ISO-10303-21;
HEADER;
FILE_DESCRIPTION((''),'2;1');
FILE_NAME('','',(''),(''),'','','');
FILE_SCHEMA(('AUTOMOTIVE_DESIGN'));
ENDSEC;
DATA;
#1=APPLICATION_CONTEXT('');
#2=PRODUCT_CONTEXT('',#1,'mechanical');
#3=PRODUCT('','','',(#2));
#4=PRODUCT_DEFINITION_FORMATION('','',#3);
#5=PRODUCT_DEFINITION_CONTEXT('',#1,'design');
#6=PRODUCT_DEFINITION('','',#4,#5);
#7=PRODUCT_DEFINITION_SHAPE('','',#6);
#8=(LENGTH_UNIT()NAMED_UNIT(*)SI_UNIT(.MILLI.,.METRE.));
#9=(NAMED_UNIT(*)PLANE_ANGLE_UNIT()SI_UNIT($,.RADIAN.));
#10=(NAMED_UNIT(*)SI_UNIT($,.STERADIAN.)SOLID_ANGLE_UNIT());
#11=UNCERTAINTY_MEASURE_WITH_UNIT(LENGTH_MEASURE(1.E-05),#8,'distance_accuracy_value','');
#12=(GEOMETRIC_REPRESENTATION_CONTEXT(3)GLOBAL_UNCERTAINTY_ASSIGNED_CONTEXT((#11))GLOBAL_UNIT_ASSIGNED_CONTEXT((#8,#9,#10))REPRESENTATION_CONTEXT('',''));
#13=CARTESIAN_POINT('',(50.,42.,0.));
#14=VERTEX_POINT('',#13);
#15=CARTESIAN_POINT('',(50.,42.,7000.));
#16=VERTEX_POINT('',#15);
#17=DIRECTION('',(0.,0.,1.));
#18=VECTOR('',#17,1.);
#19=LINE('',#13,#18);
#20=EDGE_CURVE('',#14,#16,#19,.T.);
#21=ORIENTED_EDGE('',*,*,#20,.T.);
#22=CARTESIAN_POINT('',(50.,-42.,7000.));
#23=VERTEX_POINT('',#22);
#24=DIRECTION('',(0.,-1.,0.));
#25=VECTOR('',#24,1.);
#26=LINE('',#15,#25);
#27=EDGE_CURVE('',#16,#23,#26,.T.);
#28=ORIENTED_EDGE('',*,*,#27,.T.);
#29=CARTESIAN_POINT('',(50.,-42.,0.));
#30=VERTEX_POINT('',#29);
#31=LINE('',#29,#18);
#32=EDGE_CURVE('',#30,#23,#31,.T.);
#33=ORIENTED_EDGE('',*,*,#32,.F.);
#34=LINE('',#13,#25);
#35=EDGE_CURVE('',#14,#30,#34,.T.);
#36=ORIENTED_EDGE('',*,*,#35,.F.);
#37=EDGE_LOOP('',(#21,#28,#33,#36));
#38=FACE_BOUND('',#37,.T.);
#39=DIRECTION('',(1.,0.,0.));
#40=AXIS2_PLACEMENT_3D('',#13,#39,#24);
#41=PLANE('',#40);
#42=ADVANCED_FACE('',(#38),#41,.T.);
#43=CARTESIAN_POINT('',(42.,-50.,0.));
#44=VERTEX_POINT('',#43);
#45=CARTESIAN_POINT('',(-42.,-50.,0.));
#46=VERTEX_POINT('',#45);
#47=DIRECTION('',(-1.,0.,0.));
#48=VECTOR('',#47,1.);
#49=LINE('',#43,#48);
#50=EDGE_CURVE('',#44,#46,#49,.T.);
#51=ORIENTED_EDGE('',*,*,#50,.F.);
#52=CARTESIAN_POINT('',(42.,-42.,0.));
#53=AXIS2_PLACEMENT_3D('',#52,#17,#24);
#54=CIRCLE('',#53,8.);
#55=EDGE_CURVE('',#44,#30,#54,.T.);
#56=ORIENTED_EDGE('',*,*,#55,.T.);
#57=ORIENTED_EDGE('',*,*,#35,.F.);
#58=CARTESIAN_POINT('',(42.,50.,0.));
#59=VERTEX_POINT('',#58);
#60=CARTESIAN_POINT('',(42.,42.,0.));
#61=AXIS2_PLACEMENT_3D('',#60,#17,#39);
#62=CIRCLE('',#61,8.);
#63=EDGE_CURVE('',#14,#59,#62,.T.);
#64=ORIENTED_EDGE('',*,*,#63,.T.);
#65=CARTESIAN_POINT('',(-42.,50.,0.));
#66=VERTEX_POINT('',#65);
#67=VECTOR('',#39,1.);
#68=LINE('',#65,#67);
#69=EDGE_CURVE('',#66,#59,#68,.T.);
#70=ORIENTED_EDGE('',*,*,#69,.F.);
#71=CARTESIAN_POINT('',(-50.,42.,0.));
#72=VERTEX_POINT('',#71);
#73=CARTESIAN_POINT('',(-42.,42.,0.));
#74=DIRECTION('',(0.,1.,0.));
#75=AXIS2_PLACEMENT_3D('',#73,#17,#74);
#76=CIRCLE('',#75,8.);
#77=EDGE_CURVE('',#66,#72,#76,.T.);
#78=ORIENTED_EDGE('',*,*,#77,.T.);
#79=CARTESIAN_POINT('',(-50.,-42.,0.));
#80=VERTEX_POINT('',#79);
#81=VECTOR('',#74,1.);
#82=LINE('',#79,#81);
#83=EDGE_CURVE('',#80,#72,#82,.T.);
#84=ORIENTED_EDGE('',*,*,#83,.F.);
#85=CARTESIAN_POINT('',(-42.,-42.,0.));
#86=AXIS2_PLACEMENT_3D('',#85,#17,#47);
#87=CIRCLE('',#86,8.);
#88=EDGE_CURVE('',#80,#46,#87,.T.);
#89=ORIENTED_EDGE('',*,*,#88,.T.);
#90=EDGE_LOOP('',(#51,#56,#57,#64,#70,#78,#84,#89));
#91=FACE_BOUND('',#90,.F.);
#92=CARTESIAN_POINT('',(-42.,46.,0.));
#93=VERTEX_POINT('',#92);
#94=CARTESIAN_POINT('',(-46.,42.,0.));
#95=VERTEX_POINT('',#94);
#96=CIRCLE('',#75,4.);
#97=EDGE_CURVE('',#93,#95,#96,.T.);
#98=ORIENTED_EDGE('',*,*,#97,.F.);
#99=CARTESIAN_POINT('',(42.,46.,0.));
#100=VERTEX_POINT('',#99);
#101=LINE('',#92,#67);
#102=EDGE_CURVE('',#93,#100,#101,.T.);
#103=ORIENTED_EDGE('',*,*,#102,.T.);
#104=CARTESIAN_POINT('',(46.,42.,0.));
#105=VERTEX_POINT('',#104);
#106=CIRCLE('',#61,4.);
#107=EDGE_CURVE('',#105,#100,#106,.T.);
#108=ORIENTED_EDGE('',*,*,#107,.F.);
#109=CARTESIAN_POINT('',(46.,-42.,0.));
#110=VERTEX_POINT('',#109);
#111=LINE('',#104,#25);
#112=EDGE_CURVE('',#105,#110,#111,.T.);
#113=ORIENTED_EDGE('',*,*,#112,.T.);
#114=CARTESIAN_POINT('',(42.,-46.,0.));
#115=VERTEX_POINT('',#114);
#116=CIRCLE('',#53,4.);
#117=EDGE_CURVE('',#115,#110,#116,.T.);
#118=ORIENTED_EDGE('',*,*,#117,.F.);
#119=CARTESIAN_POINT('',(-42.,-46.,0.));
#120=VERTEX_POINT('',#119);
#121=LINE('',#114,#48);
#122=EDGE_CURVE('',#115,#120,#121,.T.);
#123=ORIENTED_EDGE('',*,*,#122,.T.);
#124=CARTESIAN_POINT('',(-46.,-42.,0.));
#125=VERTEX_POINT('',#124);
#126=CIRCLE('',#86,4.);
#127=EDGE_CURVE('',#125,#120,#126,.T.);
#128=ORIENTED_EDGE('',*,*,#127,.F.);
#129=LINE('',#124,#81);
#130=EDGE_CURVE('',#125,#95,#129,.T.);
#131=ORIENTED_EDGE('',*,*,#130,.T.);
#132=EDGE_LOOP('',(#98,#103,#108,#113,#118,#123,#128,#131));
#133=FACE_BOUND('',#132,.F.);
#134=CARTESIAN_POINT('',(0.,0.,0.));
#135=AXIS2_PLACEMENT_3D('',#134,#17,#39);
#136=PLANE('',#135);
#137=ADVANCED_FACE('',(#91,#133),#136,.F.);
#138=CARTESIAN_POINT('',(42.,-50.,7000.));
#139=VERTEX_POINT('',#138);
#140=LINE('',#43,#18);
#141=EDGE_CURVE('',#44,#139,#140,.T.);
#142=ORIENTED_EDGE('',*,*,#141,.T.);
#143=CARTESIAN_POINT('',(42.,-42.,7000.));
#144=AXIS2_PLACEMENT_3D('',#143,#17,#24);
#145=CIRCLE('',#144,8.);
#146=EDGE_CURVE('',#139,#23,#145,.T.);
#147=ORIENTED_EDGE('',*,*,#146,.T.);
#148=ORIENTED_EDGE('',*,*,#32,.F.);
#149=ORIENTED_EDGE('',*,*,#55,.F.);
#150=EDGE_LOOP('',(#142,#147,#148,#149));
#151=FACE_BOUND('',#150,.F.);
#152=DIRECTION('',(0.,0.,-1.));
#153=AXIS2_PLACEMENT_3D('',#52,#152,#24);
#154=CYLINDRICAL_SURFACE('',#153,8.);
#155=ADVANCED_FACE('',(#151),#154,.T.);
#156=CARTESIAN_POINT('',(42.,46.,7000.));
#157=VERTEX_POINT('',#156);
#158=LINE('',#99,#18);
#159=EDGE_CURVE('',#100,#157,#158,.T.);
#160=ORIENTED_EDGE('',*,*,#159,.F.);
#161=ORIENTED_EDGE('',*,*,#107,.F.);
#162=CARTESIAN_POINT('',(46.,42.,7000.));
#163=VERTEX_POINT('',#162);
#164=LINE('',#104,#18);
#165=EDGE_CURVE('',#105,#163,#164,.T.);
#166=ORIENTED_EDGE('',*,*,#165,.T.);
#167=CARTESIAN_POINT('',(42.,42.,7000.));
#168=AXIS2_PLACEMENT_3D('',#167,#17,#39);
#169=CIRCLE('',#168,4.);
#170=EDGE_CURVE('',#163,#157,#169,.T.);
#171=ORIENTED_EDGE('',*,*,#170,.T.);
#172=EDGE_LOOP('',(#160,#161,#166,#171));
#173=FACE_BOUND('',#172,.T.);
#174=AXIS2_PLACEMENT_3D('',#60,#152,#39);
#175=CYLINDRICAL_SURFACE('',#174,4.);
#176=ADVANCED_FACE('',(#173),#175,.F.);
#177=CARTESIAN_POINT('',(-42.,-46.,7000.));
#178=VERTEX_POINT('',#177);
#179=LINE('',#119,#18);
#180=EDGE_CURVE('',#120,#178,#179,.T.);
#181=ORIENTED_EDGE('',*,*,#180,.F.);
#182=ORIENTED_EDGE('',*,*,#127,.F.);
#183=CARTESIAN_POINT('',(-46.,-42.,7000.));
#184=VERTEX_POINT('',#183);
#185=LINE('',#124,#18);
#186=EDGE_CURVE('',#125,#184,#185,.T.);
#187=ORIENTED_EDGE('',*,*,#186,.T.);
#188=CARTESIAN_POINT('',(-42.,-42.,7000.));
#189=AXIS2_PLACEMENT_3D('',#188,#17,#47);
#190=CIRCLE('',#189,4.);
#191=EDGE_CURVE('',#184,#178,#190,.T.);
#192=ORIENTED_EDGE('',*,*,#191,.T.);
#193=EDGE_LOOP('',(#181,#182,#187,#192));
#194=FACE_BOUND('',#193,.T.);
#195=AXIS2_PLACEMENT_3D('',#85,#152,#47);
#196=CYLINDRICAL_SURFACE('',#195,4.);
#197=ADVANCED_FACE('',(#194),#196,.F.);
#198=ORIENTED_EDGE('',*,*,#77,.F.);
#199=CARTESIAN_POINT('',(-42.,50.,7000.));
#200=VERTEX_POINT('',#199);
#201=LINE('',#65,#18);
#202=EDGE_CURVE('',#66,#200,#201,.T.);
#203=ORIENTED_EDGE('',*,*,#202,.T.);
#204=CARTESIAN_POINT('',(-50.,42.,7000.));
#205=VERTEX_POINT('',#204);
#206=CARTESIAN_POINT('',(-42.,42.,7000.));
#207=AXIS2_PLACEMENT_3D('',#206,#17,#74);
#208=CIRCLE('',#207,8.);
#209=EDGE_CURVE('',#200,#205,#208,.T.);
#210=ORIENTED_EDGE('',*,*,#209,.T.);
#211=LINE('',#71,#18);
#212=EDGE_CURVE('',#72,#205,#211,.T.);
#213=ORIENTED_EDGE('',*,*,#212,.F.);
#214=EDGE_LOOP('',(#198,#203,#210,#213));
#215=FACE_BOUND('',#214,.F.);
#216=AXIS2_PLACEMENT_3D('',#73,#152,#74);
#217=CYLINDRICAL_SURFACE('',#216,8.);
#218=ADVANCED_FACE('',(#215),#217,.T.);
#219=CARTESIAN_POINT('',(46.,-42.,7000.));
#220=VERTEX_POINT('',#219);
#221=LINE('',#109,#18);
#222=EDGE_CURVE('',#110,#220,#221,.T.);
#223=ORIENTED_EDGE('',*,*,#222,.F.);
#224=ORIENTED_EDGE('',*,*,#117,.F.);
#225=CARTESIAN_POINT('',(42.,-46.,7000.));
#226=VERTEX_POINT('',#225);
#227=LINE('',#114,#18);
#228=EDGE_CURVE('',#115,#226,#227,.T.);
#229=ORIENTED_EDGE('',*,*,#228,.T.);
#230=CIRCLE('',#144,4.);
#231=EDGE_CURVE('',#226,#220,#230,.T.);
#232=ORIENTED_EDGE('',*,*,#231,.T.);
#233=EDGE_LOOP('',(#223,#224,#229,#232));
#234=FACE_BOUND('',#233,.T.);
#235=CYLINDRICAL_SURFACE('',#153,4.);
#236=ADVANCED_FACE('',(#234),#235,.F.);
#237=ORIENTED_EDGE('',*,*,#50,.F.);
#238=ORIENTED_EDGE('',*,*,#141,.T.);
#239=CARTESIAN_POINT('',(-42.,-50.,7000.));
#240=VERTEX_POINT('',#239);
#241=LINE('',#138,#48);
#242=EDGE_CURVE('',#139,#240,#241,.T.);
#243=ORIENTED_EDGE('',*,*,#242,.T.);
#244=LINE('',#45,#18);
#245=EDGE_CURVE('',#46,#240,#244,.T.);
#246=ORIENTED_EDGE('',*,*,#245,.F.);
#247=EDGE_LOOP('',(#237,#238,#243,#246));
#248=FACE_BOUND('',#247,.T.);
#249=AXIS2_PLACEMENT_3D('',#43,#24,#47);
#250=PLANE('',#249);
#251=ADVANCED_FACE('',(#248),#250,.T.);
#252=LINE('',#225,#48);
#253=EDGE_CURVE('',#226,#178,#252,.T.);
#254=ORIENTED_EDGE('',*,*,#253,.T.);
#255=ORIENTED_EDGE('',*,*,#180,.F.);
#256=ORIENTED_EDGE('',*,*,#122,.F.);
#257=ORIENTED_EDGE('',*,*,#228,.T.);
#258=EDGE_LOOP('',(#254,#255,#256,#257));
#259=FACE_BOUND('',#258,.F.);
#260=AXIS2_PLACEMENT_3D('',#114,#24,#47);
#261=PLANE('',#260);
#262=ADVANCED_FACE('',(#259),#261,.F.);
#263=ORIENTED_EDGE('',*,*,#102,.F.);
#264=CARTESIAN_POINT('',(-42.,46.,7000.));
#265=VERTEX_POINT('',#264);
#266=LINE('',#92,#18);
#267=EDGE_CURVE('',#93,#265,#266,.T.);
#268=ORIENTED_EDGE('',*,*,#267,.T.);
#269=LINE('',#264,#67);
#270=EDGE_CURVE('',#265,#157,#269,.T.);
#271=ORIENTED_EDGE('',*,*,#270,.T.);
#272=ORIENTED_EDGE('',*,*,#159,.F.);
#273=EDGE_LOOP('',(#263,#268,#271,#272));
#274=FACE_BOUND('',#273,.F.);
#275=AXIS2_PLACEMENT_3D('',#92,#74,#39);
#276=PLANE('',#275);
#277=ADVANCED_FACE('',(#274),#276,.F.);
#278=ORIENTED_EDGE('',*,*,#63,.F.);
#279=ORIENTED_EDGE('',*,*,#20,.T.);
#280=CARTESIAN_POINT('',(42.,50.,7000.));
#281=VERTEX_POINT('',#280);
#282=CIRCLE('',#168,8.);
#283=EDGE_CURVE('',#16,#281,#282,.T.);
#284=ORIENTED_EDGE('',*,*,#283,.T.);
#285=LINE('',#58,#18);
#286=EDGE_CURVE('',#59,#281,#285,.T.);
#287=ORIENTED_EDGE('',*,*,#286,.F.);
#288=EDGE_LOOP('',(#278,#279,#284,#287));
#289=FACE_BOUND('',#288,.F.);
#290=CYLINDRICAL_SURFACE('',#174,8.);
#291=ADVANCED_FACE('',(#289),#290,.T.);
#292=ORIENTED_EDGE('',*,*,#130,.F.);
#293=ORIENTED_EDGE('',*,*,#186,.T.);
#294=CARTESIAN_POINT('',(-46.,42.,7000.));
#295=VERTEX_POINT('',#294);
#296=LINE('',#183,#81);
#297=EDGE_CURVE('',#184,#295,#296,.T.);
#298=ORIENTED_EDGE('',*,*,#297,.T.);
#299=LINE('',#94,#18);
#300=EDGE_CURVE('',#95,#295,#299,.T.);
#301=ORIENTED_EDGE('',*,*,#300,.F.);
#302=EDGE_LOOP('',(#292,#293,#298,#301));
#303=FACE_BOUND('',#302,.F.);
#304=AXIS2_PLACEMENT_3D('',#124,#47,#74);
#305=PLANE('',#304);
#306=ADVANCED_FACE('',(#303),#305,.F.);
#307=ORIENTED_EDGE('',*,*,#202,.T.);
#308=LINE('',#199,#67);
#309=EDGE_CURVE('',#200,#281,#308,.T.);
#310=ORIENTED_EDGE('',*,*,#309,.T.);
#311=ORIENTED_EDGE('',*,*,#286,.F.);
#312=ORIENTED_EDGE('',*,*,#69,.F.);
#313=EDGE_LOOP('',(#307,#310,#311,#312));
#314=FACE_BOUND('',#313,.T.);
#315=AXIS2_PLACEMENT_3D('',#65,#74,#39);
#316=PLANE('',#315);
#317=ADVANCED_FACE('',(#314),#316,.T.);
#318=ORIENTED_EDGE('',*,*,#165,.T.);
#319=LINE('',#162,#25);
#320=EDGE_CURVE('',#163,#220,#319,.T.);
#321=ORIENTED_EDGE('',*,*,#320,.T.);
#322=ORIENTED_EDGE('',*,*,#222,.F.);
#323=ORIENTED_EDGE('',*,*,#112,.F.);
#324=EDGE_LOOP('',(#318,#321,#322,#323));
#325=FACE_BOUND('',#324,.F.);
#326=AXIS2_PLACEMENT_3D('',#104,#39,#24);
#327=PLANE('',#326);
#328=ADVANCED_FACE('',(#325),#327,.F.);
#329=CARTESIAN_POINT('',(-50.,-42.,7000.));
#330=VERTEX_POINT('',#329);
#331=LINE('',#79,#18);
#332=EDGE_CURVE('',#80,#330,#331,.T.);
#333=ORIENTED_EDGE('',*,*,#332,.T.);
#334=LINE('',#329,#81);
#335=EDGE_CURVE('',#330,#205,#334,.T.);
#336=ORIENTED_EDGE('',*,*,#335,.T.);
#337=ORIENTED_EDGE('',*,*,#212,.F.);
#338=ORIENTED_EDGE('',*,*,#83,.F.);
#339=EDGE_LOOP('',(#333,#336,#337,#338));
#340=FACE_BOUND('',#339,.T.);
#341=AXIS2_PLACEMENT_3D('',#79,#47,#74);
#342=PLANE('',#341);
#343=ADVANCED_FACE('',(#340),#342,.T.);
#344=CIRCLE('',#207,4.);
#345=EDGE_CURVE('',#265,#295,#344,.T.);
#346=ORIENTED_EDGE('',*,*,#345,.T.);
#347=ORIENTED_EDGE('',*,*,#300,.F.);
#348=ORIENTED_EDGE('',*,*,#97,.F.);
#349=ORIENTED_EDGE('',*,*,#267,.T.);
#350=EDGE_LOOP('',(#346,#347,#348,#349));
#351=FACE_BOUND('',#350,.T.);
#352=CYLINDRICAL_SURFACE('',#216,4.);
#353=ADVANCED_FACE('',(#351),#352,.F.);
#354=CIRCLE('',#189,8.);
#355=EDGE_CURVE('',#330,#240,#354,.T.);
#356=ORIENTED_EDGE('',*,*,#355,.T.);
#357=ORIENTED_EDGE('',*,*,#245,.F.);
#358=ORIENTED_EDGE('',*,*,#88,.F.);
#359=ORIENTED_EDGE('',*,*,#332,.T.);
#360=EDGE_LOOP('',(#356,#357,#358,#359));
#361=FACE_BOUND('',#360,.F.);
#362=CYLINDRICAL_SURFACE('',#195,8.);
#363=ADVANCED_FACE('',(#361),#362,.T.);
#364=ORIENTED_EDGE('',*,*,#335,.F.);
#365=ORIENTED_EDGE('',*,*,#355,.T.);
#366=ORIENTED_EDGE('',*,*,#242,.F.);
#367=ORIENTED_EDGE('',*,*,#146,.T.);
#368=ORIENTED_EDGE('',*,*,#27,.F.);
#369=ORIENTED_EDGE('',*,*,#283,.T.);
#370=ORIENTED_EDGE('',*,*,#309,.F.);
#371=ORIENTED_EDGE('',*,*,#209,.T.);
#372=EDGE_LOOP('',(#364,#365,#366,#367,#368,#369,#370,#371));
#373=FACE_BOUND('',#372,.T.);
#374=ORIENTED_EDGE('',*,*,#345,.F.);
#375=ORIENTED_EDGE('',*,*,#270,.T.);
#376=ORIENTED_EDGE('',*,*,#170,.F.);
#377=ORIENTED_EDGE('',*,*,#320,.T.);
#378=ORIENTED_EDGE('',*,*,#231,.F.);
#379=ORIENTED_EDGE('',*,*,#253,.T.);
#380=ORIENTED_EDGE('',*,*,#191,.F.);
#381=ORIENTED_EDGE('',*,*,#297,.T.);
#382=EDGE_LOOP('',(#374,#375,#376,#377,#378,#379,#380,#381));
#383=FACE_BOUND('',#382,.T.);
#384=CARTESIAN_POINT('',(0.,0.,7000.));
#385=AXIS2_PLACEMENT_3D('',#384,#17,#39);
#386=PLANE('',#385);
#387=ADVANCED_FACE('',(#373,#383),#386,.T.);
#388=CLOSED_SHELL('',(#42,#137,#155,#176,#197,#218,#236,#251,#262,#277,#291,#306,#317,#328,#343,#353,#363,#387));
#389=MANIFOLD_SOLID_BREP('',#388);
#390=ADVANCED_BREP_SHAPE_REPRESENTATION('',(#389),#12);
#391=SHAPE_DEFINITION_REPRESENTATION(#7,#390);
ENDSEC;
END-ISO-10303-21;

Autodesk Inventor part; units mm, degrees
ref_plane "YZ Plane" through (0, 0, 0) normal (1, 0, 0) x (0, 1, 0)
ref_plane "Start plane" through (0, 0, 0) normal (0, 0, 1) x (1, 0, 0)
ref_plane "End plane" through (0, 0, 7000) normal (0, 0, 1) x (1, 0, 0)
sketch "Sketch" plane through (0, 0, 0) normal (0, 0, 1) x (1, 0, 0)
  line L0 (-50, -42) -> (-50, 42)
  line L1 (-42, 50) -> (42, 50)
  line L2 (50, 42) -> (50, -42)
  line L3 (42, -50) -> (-42, -50)
  arc A0 (-50, -42) -> (-42, -50) centre (-42, -42) ccw
  arc A1 (50, 42) -> (42, 50) centre (42, 42) ccw
  arc A2 (-42, 50) -> (-50, 42) centre (-42, 42) ccw
  arc A3 (42, -50) -> (50, -42) centre (42, -42) ccw
  arc A4 (-42, 46) -> (-46, 42) centre (-42, 42) ccw
  line L4 (-42, 46) -> (42, 46)
  arc A5 (46, 42) -> (42, 46) centre (42, 42) ccw
  line L5 (46, 42) -> (46, -42)
  arc A6 (42, -46) -> (46, -42) centre (42, -42) ccw
  line L6 (42, -46) -> (-42, -46)
  arc A7 (-46, -42) -> (-42, -46) centre (-42, -42) ccw
  line L7 (-46, -42) -> (-46, 42)
  line L8 (0, 57.7397) -> (0, -57.7397) construction
  line L9 (-57.7397, 0) -> (57.7397, 0) construction
  dimension "d7" = 8
  dimension "d9" = 100
  dimension "d11" = 100
  dimension "d12" = 4
  dimension "d15" = 50
  dimension "d16" = 50
extrude "Body" add sketch "Sketch" along normal up to surface (7000 mm away) from surface at 0
sketch "Sketch3" plane through (0, 0, 0) normal (0, 0, 1) x (1, 0, 0)
  line L0 (0, 0) -> (10, 0)
ref_plane "Work Plane3" through (0, 0, 0) normal (0, -1, 0) x (1, 0, 0)
sketch "Sketch4" plane through (0, 0, 0) normal (0, -1, 0) x (1, 0, 0)
  line L0 (-2, 0) -> (12, 0) projected
  line L1 (-2, 7000) -> (12, 7000) projected
  dimension "d18" = 7000
equation "\"d7\" = G_IR"
equation "\"d9\" = G_W"
equation "\"d11\" = G_H"
equation "\"d12\" = G_T"
equation "\"d15\" = 0.5 * d9"
equation "\"d16\" = 0.5 * d11"
equation "\"d3\" = G_L"
equation "\"G_W\" = 100"
equation "\"G_H\" = 100"
equation "\"G_T\" = 4"
equation "\"G_IR\" = 8"
equation "\"G_L\" = d18"
equation "\"G_OFFSET_START\" = 0"
equation "\"G_OFFSET_END\" = 0"
properties part number "ISO 10799-2 - 100x100x4 - 7000" material "Steel, Mild"
